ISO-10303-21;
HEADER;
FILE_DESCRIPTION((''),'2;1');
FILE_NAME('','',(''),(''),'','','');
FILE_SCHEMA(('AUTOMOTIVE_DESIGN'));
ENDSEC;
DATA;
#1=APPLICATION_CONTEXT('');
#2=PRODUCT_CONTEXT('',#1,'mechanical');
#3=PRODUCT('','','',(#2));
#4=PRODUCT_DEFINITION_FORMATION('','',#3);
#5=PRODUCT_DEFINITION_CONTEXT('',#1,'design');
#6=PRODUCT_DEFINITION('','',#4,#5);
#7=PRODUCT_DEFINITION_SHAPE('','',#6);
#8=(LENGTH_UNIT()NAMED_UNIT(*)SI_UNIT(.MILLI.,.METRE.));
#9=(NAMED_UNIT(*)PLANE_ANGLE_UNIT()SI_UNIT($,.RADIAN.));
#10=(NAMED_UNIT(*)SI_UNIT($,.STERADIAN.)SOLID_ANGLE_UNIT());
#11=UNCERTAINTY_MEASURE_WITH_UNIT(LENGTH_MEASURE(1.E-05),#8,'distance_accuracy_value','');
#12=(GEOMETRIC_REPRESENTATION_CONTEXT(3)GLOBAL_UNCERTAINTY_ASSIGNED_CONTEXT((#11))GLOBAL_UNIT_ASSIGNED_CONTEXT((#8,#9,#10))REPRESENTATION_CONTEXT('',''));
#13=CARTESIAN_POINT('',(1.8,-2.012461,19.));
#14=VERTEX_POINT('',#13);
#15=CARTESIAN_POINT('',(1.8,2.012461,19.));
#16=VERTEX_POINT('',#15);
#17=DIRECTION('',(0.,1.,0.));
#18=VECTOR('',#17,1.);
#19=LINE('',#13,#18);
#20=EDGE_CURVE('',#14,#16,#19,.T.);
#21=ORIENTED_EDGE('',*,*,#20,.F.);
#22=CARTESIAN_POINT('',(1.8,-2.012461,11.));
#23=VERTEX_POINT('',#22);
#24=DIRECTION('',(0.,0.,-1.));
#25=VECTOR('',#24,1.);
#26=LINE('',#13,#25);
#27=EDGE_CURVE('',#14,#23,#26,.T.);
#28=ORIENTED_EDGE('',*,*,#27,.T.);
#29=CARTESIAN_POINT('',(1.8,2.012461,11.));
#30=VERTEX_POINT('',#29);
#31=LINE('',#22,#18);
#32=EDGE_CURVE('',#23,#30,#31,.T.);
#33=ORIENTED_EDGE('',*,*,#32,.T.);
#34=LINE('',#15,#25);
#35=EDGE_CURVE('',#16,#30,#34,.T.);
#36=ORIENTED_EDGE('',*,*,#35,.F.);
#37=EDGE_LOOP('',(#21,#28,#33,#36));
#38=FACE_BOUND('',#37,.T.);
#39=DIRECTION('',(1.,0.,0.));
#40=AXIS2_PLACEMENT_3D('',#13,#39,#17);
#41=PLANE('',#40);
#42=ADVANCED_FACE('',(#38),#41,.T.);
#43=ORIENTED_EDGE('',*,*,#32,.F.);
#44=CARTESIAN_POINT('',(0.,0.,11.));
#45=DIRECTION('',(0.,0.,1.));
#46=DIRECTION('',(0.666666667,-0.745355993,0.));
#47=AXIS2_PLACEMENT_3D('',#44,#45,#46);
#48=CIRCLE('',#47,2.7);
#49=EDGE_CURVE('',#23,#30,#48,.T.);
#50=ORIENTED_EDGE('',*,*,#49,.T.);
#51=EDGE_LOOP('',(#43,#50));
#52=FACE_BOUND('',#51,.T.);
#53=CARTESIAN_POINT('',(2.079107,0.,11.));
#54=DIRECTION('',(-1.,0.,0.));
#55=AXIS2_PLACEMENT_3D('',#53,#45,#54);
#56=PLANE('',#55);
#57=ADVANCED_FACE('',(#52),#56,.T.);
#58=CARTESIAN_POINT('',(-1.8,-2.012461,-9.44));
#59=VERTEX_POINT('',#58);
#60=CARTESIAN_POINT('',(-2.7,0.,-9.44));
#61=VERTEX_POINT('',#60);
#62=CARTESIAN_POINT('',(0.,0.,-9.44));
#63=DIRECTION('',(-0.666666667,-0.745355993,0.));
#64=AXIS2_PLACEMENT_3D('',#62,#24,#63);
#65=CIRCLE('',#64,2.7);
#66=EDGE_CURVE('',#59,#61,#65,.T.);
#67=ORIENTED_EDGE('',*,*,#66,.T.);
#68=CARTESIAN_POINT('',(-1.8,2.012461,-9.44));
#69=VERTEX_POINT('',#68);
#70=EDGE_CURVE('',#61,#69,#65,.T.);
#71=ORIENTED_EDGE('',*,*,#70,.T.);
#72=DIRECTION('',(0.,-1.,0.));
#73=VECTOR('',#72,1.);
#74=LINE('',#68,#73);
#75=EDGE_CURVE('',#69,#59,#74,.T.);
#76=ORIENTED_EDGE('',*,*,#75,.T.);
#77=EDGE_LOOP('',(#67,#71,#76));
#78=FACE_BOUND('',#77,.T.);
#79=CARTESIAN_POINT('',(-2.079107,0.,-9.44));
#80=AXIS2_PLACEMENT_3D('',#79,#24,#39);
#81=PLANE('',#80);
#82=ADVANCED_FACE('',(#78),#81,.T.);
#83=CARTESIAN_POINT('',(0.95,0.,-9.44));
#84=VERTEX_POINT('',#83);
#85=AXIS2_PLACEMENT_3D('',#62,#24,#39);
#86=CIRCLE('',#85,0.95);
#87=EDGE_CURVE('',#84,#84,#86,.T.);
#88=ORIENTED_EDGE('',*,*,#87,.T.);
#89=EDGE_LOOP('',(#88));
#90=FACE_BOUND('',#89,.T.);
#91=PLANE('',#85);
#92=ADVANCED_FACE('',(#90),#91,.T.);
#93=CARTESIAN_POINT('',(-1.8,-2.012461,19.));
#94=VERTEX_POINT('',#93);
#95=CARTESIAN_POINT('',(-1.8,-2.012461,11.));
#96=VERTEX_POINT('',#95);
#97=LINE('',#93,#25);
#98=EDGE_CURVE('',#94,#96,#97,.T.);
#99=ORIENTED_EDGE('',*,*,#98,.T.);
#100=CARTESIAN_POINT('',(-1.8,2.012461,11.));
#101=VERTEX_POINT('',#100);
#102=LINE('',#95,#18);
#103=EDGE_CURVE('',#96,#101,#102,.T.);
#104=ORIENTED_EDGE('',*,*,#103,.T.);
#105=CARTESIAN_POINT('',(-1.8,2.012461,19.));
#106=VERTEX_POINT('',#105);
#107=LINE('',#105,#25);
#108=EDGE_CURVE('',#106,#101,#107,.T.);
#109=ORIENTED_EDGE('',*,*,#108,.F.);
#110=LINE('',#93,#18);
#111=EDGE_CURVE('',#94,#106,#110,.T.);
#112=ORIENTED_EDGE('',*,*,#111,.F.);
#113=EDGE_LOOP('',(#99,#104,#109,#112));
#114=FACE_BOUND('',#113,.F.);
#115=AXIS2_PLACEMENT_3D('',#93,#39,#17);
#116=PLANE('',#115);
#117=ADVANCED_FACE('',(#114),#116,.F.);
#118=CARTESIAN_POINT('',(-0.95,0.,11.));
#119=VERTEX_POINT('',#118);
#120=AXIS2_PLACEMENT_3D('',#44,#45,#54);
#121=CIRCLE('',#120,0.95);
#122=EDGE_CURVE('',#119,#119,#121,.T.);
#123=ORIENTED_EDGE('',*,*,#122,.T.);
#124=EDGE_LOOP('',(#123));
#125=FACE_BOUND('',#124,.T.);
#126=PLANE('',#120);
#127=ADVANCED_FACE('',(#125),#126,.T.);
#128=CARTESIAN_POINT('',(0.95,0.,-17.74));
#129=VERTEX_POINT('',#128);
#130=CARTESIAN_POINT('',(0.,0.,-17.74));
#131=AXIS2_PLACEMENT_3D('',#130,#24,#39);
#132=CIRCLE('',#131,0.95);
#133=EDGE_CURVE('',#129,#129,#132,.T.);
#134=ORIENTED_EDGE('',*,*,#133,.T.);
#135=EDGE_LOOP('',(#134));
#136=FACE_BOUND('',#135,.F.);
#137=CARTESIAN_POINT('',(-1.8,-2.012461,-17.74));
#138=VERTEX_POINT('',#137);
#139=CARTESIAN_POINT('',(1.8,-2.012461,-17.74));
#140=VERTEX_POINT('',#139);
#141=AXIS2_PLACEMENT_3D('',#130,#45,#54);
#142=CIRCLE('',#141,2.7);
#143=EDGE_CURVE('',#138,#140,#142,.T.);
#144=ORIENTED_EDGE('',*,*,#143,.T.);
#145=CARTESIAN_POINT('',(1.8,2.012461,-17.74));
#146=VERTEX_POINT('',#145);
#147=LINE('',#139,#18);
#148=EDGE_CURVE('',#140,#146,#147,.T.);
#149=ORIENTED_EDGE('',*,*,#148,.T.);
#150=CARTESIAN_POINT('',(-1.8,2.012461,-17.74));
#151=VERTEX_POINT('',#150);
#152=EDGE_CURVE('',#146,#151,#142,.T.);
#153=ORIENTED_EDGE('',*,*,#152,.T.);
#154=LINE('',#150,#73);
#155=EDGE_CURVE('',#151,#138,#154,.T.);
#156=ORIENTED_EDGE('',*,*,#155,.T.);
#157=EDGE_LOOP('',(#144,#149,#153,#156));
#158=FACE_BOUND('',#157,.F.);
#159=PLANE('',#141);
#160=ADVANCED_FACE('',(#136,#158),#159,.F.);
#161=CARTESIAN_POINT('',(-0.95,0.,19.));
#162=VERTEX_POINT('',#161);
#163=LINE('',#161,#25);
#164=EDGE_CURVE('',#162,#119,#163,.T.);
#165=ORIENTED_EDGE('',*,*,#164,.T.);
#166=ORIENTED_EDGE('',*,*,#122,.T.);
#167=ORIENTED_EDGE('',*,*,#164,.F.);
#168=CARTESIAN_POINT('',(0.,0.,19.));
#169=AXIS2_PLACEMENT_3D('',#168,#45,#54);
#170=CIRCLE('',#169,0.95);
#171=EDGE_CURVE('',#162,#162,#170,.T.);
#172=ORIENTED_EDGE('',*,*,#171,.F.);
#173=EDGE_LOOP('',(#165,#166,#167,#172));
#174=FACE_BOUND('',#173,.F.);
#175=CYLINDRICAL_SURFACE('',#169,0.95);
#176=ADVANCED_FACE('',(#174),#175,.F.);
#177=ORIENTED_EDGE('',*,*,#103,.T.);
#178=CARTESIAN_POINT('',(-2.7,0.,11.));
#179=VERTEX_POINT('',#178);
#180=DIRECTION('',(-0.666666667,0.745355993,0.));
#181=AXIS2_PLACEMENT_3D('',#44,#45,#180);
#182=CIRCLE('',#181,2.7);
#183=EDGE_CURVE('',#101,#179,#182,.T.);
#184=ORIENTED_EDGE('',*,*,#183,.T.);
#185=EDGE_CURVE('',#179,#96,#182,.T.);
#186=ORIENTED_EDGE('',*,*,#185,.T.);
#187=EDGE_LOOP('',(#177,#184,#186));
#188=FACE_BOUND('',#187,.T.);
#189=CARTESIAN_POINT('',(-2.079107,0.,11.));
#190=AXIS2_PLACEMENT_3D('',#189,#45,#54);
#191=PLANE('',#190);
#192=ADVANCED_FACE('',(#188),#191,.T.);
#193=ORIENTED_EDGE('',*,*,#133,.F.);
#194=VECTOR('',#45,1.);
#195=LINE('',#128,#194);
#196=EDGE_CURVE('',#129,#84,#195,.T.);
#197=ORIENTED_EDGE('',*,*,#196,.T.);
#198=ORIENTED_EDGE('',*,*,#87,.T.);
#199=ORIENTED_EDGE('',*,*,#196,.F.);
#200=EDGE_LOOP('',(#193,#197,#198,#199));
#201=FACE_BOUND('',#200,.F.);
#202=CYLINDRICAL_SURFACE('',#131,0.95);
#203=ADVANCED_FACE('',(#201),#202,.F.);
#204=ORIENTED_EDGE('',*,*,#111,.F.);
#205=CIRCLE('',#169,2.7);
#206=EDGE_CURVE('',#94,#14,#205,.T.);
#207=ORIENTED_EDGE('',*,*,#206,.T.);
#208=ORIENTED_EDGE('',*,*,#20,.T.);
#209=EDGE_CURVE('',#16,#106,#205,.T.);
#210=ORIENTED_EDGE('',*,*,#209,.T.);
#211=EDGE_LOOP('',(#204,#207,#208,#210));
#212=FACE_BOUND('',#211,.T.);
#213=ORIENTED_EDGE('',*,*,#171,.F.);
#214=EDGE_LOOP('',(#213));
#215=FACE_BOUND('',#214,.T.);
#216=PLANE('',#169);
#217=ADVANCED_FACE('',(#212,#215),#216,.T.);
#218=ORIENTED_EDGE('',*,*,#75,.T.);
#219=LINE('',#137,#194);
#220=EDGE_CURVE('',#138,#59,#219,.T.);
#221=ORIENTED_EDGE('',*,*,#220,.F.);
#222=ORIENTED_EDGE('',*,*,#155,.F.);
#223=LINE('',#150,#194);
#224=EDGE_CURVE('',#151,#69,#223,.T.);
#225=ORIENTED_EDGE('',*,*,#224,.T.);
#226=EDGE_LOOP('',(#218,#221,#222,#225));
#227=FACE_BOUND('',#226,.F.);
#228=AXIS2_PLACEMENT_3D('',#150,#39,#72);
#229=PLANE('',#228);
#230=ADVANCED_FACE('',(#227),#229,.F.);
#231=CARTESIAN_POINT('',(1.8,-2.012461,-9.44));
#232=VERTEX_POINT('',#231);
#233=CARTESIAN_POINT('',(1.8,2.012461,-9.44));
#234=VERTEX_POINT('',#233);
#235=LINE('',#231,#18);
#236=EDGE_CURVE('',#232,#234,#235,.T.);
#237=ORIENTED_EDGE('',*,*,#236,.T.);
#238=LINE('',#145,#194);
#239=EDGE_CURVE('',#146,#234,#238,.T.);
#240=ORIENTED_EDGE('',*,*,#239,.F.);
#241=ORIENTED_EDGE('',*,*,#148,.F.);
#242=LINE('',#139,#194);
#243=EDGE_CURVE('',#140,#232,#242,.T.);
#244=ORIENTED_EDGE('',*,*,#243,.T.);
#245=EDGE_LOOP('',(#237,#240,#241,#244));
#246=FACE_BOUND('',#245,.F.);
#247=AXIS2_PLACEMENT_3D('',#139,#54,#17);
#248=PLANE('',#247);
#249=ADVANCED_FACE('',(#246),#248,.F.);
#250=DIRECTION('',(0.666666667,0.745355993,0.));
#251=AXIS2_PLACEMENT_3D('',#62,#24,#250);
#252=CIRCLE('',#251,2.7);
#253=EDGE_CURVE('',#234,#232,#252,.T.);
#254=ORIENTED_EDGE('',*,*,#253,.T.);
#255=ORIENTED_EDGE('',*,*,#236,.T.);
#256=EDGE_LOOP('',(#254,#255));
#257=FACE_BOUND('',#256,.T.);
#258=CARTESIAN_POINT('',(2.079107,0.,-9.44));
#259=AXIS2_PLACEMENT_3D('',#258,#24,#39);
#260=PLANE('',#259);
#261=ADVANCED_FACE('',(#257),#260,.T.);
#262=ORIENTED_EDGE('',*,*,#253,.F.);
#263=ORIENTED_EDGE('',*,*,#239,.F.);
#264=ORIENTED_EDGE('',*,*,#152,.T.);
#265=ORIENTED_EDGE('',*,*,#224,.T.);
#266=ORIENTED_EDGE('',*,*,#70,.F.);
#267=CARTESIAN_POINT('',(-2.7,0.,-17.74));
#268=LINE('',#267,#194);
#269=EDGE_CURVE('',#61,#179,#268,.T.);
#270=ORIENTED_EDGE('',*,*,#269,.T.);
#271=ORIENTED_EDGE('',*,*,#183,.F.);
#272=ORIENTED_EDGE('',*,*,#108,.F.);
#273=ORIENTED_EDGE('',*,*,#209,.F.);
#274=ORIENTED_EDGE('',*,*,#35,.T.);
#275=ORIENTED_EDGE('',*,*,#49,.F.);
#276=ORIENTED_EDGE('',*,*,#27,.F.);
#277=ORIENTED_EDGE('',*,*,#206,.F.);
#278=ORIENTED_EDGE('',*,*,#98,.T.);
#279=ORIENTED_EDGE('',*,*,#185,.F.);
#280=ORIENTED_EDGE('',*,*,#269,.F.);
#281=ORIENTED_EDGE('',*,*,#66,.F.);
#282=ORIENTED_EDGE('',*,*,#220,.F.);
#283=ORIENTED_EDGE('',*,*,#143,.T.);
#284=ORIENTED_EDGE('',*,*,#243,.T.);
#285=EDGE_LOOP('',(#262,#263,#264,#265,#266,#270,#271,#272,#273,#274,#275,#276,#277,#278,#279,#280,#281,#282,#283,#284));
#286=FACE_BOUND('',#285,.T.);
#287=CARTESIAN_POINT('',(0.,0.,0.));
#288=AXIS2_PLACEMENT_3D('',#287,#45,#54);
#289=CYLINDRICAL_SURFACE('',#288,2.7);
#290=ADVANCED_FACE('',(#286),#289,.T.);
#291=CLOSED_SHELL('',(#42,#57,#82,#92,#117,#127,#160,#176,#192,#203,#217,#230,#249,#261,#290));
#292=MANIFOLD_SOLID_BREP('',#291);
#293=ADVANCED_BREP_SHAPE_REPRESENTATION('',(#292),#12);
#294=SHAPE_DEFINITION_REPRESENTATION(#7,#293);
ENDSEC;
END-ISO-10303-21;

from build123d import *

# Parameters (mm, degrees)
SKETCH052_R     = 2.7
PAD038_DEPTH    = 19
PAD039_DEPTH    = 17.74
SKETCH053_R     = 0.95
POCKET009_DEPTH = 8.3
SKETCH081_R     = 0.95
POCKET025_DEPTH = 8


with BuildPart() as part:
    # Sketch052 (on ShapeBinder) → Pad038 (new body)
    with BuildSketch(Plane(origin=(0, 0, 0), x_dir=(-1, 0, 0), z_dir=(0, 0, 1))):
        with Locations((0, 37.1)):
            Circle(SKETCH052_R)
    extrude(amount=PAD038_DEPTH)

    # Sketch052 (on ShapeBinder) → Pad039 (join)
    with BuildSketch(Plane(origin=(0, 0, 0), x_dir=(-1, 0, 0), z_dir=(0, 0, 1))):
        with Locations((0, 37.1)):
            Circle(SKETCH052_R)
    extrude(amount=-PAD039_DEPTH)

    # Sketch053 (on Face1 of Pad039) → Pocket009 (cut)
    with BuildSketch(Plane(origin=(0, 0, -17.74), x_dir=(1, 0, 0), z_dir=(0, 0, -1))):
        with Locations((0, 37.1)):
            Circle(SKETCH053_R)
        with BuildLine():
            Line((-1.8, 35.0875388203), (-1.8, 39.1124611797))
            ThreePointArc((-1.8, 39.1124611797), (-2.7, 37.1), (-1.8, 35.0875388203))
        make_face()
        with BuildLine():
            Line((1.8, 39.1124611797), (1.8, 35.0875388203))
            ThreePointArc((1.8, 35.0875388203), (2.7, 37.1), (1.8, 39.1124611797))
        make_face()
    extrude(amount=-POCKET009_DEPTH, mode=Mode.SUBTRACT)

    # Sketch081 (on Face8 of Pocket009) → Pocket025 (cut)
    with BuildSketch(Plane(origin=(0, 0, 19), x_dir=(-1, 0, 0), z_dir=(0, 0, 1))):
        with Locations((0, 37.1)):
            Circle(SKETCH081_R)
        with BuildLine():
            ThreePointArc((-1.8, 39.1124611797), (-2.7, 37.1), (-1.8, 35.0875388203))
            Line((-1.8, 39.1124611797), (-1.8, 35.0875388203))
        make_face()
        with BuildLine():
            Line((1.8, 39.1124611797), (1.8, 35.0875388203))
            ThreePointArc((1.8, 35.0875388203), (2.7, 37.1), (1.8, 39.1124611797))
        make_face()
    extrude(amount=-POCKET025_DEPTH, mode=Mode.SUBTRACT)


with BuildPart() as part_1:
    # Body024 placement: moved
    add(part.part.moved(Location((0, 37.1, 0))))


solid = part_1.part
